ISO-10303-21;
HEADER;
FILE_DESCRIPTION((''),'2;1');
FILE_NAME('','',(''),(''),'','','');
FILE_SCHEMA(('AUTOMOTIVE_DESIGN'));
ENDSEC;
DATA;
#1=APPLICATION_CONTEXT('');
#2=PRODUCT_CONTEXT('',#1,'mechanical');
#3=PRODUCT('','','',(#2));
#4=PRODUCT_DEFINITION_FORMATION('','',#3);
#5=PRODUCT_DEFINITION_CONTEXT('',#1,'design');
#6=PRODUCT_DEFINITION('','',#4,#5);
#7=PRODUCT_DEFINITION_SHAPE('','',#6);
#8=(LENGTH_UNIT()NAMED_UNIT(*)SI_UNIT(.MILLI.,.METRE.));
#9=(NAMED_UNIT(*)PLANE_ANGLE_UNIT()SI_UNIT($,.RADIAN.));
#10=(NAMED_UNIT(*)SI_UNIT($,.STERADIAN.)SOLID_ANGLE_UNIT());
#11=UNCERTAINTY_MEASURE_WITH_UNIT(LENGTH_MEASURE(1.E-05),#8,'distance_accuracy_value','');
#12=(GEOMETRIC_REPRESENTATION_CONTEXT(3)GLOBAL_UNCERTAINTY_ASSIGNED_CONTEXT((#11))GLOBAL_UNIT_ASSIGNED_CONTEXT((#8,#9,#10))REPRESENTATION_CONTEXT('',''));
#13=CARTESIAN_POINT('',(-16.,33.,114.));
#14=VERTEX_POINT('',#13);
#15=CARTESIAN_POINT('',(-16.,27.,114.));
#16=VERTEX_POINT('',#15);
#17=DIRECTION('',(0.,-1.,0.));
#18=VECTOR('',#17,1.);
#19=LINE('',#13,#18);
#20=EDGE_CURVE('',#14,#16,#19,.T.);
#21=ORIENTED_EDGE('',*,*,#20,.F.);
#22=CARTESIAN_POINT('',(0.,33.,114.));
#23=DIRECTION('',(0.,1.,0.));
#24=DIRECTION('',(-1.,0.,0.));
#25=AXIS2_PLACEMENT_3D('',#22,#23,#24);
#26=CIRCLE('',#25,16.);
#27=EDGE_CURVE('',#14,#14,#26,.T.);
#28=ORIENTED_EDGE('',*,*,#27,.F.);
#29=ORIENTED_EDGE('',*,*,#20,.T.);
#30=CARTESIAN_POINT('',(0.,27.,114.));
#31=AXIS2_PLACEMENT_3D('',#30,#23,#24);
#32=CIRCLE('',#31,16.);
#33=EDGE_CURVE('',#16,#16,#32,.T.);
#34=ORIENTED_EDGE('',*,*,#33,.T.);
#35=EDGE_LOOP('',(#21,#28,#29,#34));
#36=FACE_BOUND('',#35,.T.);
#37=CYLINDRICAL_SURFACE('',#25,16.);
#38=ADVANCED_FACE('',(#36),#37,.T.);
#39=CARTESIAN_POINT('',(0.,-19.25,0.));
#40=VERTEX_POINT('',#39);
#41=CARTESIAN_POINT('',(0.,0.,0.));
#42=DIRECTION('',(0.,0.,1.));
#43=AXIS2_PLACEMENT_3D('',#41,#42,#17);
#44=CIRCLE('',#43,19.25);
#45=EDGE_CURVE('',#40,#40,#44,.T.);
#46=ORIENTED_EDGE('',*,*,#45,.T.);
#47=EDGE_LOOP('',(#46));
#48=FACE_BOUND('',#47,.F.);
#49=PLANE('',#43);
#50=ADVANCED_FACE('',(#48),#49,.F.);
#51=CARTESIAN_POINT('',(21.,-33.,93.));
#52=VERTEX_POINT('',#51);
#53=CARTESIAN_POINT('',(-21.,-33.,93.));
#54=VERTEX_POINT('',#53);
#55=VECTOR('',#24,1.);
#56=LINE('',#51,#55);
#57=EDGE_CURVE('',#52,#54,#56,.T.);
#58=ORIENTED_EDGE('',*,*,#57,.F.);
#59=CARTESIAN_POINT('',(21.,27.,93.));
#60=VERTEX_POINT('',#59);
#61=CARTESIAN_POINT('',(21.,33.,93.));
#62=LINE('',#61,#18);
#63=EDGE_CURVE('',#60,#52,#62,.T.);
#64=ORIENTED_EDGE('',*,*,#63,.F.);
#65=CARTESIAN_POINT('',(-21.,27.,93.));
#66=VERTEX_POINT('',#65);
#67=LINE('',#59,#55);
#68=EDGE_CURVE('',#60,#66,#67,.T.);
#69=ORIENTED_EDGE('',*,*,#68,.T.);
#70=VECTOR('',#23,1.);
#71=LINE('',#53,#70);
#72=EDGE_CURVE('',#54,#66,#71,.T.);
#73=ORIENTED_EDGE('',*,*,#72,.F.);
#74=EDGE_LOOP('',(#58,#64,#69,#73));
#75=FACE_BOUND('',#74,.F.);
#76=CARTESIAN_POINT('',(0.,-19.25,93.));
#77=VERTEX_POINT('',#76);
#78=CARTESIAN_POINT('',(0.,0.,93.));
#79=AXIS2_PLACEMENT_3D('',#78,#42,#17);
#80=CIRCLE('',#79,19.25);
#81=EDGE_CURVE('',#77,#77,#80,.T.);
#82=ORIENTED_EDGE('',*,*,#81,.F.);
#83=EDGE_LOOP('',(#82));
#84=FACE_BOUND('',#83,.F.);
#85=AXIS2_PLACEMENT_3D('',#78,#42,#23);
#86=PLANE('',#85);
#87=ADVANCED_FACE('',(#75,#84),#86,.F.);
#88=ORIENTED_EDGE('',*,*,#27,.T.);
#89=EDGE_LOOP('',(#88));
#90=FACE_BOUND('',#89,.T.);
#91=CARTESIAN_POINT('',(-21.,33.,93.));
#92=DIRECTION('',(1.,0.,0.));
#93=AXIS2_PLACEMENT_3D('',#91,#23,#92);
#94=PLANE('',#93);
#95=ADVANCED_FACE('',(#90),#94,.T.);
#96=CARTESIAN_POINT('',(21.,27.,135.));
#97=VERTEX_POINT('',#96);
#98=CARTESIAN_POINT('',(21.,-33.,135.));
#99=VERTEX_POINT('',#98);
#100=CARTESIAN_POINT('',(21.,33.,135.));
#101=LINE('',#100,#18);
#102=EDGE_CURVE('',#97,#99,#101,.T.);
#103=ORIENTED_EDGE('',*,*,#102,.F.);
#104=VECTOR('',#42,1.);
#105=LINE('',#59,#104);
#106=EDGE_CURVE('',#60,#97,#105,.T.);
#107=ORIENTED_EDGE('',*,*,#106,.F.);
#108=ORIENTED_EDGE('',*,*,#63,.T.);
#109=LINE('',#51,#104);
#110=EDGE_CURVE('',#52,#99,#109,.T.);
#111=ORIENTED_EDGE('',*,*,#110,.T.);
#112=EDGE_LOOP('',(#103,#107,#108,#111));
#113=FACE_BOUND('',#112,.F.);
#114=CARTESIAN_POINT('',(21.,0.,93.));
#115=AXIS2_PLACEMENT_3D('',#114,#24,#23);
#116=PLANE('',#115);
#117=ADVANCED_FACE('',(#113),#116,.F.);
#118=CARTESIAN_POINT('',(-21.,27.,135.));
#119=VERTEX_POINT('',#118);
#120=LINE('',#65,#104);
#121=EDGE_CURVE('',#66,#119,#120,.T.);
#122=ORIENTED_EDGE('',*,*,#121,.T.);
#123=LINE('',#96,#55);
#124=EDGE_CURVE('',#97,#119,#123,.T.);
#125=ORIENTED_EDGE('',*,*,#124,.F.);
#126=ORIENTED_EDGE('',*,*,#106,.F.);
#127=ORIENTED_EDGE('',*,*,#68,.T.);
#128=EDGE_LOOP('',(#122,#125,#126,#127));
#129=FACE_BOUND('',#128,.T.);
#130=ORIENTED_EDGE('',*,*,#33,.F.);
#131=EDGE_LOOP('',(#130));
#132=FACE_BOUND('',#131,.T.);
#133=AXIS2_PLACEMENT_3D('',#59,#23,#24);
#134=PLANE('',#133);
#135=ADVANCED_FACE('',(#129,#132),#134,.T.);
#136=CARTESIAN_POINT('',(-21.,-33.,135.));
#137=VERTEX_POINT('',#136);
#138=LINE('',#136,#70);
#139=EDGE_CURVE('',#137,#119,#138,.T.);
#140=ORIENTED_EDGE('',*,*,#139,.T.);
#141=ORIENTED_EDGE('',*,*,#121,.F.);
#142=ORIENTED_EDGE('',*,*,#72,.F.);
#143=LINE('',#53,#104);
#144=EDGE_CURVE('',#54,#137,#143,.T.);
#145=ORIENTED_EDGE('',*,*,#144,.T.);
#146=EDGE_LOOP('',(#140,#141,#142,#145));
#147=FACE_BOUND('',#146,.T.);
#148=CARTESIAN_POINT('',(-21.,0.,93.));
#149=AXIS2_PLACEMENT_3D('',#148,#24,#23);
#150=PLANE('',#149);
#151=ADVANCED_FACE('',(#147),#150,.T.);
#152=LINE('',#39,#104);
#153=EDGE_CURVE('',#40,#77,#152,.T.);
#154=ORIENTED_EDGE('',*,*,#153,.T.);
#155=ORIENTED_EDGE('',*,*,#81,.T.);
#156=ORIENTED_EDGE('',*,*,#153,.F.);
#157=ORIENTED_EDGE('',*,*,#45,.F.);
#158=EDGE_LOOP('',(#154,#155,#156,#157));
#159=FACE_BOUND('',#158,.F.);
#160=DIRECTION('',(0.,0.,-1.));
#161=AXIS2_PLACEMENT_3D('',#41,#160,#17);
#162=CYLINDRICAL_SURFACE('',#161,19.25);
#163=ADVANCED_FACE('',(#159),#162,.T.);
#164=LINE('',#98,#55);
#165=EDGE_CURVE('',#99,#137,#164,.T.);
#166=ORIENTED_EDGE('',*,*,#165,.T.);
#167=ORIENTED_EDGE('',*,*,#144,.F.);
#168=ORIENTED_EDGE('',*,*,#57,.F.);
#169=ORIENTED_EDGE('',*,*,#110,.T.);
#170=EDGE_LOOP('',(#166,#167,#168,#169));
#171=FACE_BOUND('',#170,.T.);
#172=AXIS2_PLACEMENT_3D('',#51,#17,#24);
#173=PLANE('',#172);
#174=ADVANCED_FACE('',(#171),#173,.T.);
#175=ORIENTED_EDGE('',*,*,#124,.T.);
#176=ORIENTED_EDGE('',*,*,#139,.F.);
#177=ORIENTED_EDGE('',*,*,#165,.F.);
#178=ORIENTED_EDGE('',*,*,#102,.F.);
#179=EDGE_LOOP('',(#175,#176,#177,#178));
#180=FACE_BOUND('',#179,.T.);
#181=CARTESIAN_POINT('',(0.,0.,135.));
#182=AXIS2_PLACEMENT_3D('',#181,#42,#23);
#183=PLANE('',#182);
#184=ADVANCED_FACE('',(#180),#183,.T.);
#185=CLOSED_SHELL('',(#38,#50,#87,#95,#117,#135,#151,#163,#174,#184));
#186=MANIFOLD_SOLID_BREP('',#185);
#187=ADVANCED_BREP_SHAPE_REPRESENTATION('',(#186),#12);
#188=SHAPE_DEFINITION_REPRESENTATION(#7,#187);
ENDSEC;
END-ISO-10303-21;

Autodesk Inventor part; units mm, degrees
ref_plane "YZ Plane" through (0, 0, 0) normal (1, 0, 0) x (0, 1, 0)
ref_plane "XZ Plane" through (0, 0, 0) normal (0, 1, 0) x (-1, 0, 0)
ref_plane "XY Plane" through (0, 0, 0) normal (0, 0, 1) x (1, 0, 0)
sketch "Sketch1" plane through (0, 0, 0) normal (0, 1, 0) x (-1, 0, 0)
  circle A0 centre (0, 0) radius 19.25
  dimension "d0" = 38.5
extrude "Extrusion1" add sketch "Sketch1" along normal blind 93
sketch "Sketch2" plane through (0, 93, 0) normal (0, 1, 0) x (1, 0, 0)
  circle A0 centre (0, 0) radius 19.25 projected
  line L0 (0, 0) -> (33, 0) construction
  line L1 (33, 0) -> (0, 0) construction
  line L2 (0, 0) -> (0, 21) construction
  line L3 (0, 21) -> (33, 21)
  line L4 (33, 21) -> (33, 0)
  line L5 (0, -21) -> (33, -21)
  line L6 (33, -21) -> (33, 0)
  line L7 (0, 21) -> (-33, 21)
  line L8 (-33, 21) -> (-33, 0)
  line L9 (0, -21) -> (-33, -21)
  line L10 (-33, -21) -> (-33, 0)
  dimension "d4" = 33
  dimension "d5" = 21
extrude "Extrusion2" add sketch "Sketch2" along normal blind 42 contours A0 | L3 L4 L6 L5 L9 L10 L8 L7
sketch "Sketch3" plane through (33, 93, 21) normal (1, 0, 0) x (0, 0, -1)
  line L0 (0, 0) -> (42, 0) projected
  line L1 (42, 0) -> (42, 42) projected
  line L2 (0, 42) -> (42, 42) projected
  line L3 (0, 0) -> (0, 42) projected
  line L4 (0, 42) -> (42, 0) construction
  circle A0 centre (21, 21) radius 16
  point P0 (21, -93)
  dimension "d8" = 32
extrude "Extrusion3" cut sketch "Sketch3" against normal blind 6
move or copy body "Move Body2" bodies to move or copy 1 copy no rotation origin (0, 0, 0) rotation axis (1, 0, 0) rotation angle 90
move or copy body "Move Body4" bodies to move or copy 1 copy no rotation origin (0, 0, 0) rotation axis (0, 0, 1) rotation angle 90
properties part number "Neck_v2"
